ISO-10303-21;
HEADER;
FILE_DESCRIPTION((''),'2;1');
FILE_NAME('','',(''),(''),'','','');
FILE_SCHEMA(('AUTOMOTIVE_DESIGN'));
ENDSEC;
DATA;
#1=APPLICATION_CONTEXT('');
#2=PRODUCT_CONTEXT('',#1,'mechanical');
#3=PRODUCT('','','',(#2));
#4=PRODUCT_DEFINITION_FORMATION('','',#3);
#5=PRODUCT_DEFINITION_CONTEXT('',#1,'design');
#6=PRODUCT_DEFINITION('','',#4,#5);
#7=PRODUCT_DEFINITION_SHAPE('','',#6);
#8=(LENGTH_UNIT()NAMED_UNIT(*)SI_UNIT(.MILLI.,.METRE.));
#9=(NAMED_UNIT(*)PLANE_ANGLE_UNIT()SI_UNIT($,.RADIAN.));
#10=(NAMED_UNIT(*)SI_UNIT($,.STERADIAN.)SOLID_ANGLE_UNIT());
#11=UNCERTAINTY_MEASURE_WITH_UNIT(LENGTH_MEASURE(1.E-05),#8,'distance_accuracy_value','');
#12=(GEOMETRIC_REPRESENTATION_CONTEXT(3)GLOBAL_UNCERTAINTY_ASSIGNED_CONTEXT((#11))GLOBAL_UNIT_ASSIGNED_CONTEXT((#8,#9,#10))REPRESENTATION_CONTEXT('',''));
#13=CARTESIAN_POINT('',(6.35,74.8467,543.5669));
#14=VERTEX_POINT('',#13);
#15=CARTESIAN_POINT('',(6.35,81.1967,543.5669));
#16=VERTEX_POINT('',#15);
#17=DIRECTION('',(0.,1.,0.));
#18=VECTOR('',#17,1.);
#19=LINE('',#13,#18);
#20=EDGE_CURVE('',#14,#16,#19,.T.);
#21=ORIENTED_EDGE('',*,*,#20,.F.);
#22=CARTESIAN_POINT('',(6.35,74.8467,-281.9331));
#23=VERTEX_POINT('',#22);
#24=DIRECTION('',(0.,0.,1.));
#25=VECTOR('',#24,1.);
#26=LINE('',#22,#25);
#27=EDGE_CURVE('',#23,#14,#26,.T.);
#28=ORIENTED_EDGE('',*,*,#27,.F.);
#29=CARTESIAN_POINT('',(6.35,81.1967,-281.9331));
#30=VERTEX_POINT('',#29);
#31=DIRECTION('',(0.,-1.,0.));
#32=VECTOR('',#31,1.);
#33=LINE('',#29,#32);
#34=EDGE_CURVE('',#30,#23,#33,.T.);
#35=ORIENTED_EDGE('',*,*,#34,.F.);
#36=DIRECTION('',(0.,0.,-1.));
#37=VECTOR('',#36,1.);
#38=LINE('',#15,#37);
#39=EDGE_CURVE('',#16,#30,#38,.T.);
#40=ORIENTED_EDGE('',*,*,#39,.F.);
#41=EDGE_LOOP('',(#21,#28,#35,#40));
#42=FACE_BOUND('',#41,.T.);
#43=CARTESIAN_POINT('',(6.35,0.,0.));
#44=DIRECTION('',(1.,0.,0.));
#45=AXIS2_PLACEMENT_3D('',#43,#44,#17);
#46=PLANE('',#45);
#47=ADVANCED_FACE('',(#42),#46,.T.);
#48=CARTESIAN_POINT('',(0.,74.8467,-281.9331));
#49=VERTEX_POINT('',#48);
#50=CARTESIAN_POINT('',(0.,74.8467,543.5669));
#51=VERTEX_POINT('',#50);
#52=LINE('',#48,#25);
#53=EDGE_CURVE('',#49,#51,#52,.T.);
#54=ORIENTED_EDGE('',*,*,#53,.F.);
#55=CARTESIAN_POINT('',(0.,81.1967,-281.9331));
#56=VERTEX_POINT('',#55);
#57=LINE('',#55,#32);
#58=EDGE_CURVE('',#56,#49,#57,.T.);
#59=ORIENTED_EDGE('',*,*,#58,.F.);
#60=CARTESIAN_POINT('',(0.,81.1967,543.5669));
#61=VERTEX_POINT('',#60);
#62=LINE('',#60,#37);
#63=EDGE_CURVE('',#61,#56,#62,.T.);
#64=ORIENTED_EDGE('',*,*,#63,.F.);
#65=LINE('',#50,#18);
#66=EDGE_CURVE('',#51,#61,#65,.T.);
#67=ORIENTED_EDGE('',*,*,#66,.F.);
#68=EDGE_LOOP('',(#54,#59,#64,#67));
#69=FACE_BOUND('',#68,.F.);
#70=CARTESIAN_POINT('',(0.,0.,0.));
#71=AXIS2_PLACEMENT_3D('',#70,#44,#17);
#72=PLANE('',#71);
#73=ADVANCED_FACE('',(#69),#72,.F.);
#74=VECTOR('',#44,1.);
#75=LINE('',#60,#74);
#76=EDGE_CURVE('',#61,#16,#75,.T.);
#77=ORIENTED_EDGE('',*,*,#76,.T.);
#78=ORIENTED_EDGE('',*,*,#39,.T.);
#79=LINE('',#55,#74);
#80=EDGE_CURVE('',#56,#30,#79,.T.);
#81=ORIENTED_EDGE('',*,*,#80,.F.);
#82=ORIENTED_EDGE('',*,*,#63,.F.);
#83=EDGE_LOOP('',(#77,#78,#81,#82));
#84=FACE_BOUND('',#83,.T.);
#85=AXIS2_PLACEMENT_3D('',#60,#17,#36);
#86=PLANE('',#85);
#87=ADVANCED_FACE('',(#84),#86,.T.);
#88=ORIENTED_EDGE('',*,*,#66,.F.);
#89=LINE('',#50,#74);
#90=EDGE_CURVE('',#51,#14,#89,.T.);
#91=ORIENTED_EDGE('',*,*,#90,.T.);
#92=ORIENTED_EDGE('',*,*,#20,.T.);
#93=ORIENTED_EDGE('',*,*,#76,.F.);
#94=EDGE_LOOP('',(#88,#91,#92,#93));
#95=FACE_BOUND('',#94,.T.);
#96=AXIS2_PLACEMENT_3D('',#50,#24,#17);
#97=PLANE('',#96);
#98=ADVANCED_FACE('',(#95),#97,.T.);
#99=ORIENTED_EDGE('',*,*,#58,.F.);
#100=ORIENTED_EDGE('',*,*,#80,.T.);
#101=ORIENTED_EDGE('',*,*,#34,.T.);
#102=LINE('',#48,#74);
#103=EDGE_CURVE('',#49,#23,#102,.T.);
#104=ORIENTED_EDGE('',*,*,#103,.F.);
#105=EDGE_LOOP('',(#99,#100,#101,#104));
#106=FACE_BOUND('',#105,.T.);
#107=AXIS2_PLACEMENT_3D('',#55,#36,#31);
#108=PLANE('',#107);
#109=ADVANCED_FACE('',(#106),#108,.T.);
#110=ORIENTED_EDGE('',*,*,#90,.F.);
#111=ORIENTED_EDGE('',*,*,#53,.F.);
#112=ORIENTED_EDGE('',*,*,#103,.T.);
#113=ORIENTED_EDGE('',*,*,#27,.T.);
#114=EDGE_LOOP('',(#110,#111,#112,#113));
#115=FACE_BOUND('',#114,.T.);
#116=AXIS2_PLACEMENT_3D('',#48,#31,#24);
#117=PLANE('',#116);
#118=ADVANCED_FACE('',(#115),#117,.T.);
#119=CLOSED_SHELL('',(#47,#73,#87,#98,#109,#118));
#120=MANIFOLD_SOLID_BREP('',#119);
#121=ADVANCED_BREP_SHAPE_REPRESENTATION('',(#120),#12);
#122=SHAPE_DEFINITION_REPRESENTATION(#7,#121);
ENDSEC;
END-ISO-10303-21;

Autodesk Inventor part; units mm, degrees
ref_plane "YZ Plane" through (0, 0, 0) normal (1, 0, 0) x (0, 1, 0)
ref_plane "XZ Plane" through (0, 0, 0) normal (0, 1, 0) x (-1, 0, 0)
ref_plane "XY Plane" through (0, 0, 0) normal (0, 0, 1) x (1, 0, 0)
sketch "Sketch1" plane through (0, 0, 0) normal (1, 0, 0) x (0, 1, 0)
  line L0 (74.8467, 543.5669) -> (81.1967, 543.5669)
  line L1 (81.1967, 543.5669) -> (81.1967, -281.9331)
  line L2 (81.1967, -281.9331) -> (74.8467, -281.9331)
  line L3 (74.8467, -281.9331) -> (74.8467, 543.5669)
  point P0 (0, 0)
  dimension "d0" = 825.5
  dimension "d1" = 6.35
extrude "Extrusion1" add sketch "Sketch1" along normal blind 6.35
